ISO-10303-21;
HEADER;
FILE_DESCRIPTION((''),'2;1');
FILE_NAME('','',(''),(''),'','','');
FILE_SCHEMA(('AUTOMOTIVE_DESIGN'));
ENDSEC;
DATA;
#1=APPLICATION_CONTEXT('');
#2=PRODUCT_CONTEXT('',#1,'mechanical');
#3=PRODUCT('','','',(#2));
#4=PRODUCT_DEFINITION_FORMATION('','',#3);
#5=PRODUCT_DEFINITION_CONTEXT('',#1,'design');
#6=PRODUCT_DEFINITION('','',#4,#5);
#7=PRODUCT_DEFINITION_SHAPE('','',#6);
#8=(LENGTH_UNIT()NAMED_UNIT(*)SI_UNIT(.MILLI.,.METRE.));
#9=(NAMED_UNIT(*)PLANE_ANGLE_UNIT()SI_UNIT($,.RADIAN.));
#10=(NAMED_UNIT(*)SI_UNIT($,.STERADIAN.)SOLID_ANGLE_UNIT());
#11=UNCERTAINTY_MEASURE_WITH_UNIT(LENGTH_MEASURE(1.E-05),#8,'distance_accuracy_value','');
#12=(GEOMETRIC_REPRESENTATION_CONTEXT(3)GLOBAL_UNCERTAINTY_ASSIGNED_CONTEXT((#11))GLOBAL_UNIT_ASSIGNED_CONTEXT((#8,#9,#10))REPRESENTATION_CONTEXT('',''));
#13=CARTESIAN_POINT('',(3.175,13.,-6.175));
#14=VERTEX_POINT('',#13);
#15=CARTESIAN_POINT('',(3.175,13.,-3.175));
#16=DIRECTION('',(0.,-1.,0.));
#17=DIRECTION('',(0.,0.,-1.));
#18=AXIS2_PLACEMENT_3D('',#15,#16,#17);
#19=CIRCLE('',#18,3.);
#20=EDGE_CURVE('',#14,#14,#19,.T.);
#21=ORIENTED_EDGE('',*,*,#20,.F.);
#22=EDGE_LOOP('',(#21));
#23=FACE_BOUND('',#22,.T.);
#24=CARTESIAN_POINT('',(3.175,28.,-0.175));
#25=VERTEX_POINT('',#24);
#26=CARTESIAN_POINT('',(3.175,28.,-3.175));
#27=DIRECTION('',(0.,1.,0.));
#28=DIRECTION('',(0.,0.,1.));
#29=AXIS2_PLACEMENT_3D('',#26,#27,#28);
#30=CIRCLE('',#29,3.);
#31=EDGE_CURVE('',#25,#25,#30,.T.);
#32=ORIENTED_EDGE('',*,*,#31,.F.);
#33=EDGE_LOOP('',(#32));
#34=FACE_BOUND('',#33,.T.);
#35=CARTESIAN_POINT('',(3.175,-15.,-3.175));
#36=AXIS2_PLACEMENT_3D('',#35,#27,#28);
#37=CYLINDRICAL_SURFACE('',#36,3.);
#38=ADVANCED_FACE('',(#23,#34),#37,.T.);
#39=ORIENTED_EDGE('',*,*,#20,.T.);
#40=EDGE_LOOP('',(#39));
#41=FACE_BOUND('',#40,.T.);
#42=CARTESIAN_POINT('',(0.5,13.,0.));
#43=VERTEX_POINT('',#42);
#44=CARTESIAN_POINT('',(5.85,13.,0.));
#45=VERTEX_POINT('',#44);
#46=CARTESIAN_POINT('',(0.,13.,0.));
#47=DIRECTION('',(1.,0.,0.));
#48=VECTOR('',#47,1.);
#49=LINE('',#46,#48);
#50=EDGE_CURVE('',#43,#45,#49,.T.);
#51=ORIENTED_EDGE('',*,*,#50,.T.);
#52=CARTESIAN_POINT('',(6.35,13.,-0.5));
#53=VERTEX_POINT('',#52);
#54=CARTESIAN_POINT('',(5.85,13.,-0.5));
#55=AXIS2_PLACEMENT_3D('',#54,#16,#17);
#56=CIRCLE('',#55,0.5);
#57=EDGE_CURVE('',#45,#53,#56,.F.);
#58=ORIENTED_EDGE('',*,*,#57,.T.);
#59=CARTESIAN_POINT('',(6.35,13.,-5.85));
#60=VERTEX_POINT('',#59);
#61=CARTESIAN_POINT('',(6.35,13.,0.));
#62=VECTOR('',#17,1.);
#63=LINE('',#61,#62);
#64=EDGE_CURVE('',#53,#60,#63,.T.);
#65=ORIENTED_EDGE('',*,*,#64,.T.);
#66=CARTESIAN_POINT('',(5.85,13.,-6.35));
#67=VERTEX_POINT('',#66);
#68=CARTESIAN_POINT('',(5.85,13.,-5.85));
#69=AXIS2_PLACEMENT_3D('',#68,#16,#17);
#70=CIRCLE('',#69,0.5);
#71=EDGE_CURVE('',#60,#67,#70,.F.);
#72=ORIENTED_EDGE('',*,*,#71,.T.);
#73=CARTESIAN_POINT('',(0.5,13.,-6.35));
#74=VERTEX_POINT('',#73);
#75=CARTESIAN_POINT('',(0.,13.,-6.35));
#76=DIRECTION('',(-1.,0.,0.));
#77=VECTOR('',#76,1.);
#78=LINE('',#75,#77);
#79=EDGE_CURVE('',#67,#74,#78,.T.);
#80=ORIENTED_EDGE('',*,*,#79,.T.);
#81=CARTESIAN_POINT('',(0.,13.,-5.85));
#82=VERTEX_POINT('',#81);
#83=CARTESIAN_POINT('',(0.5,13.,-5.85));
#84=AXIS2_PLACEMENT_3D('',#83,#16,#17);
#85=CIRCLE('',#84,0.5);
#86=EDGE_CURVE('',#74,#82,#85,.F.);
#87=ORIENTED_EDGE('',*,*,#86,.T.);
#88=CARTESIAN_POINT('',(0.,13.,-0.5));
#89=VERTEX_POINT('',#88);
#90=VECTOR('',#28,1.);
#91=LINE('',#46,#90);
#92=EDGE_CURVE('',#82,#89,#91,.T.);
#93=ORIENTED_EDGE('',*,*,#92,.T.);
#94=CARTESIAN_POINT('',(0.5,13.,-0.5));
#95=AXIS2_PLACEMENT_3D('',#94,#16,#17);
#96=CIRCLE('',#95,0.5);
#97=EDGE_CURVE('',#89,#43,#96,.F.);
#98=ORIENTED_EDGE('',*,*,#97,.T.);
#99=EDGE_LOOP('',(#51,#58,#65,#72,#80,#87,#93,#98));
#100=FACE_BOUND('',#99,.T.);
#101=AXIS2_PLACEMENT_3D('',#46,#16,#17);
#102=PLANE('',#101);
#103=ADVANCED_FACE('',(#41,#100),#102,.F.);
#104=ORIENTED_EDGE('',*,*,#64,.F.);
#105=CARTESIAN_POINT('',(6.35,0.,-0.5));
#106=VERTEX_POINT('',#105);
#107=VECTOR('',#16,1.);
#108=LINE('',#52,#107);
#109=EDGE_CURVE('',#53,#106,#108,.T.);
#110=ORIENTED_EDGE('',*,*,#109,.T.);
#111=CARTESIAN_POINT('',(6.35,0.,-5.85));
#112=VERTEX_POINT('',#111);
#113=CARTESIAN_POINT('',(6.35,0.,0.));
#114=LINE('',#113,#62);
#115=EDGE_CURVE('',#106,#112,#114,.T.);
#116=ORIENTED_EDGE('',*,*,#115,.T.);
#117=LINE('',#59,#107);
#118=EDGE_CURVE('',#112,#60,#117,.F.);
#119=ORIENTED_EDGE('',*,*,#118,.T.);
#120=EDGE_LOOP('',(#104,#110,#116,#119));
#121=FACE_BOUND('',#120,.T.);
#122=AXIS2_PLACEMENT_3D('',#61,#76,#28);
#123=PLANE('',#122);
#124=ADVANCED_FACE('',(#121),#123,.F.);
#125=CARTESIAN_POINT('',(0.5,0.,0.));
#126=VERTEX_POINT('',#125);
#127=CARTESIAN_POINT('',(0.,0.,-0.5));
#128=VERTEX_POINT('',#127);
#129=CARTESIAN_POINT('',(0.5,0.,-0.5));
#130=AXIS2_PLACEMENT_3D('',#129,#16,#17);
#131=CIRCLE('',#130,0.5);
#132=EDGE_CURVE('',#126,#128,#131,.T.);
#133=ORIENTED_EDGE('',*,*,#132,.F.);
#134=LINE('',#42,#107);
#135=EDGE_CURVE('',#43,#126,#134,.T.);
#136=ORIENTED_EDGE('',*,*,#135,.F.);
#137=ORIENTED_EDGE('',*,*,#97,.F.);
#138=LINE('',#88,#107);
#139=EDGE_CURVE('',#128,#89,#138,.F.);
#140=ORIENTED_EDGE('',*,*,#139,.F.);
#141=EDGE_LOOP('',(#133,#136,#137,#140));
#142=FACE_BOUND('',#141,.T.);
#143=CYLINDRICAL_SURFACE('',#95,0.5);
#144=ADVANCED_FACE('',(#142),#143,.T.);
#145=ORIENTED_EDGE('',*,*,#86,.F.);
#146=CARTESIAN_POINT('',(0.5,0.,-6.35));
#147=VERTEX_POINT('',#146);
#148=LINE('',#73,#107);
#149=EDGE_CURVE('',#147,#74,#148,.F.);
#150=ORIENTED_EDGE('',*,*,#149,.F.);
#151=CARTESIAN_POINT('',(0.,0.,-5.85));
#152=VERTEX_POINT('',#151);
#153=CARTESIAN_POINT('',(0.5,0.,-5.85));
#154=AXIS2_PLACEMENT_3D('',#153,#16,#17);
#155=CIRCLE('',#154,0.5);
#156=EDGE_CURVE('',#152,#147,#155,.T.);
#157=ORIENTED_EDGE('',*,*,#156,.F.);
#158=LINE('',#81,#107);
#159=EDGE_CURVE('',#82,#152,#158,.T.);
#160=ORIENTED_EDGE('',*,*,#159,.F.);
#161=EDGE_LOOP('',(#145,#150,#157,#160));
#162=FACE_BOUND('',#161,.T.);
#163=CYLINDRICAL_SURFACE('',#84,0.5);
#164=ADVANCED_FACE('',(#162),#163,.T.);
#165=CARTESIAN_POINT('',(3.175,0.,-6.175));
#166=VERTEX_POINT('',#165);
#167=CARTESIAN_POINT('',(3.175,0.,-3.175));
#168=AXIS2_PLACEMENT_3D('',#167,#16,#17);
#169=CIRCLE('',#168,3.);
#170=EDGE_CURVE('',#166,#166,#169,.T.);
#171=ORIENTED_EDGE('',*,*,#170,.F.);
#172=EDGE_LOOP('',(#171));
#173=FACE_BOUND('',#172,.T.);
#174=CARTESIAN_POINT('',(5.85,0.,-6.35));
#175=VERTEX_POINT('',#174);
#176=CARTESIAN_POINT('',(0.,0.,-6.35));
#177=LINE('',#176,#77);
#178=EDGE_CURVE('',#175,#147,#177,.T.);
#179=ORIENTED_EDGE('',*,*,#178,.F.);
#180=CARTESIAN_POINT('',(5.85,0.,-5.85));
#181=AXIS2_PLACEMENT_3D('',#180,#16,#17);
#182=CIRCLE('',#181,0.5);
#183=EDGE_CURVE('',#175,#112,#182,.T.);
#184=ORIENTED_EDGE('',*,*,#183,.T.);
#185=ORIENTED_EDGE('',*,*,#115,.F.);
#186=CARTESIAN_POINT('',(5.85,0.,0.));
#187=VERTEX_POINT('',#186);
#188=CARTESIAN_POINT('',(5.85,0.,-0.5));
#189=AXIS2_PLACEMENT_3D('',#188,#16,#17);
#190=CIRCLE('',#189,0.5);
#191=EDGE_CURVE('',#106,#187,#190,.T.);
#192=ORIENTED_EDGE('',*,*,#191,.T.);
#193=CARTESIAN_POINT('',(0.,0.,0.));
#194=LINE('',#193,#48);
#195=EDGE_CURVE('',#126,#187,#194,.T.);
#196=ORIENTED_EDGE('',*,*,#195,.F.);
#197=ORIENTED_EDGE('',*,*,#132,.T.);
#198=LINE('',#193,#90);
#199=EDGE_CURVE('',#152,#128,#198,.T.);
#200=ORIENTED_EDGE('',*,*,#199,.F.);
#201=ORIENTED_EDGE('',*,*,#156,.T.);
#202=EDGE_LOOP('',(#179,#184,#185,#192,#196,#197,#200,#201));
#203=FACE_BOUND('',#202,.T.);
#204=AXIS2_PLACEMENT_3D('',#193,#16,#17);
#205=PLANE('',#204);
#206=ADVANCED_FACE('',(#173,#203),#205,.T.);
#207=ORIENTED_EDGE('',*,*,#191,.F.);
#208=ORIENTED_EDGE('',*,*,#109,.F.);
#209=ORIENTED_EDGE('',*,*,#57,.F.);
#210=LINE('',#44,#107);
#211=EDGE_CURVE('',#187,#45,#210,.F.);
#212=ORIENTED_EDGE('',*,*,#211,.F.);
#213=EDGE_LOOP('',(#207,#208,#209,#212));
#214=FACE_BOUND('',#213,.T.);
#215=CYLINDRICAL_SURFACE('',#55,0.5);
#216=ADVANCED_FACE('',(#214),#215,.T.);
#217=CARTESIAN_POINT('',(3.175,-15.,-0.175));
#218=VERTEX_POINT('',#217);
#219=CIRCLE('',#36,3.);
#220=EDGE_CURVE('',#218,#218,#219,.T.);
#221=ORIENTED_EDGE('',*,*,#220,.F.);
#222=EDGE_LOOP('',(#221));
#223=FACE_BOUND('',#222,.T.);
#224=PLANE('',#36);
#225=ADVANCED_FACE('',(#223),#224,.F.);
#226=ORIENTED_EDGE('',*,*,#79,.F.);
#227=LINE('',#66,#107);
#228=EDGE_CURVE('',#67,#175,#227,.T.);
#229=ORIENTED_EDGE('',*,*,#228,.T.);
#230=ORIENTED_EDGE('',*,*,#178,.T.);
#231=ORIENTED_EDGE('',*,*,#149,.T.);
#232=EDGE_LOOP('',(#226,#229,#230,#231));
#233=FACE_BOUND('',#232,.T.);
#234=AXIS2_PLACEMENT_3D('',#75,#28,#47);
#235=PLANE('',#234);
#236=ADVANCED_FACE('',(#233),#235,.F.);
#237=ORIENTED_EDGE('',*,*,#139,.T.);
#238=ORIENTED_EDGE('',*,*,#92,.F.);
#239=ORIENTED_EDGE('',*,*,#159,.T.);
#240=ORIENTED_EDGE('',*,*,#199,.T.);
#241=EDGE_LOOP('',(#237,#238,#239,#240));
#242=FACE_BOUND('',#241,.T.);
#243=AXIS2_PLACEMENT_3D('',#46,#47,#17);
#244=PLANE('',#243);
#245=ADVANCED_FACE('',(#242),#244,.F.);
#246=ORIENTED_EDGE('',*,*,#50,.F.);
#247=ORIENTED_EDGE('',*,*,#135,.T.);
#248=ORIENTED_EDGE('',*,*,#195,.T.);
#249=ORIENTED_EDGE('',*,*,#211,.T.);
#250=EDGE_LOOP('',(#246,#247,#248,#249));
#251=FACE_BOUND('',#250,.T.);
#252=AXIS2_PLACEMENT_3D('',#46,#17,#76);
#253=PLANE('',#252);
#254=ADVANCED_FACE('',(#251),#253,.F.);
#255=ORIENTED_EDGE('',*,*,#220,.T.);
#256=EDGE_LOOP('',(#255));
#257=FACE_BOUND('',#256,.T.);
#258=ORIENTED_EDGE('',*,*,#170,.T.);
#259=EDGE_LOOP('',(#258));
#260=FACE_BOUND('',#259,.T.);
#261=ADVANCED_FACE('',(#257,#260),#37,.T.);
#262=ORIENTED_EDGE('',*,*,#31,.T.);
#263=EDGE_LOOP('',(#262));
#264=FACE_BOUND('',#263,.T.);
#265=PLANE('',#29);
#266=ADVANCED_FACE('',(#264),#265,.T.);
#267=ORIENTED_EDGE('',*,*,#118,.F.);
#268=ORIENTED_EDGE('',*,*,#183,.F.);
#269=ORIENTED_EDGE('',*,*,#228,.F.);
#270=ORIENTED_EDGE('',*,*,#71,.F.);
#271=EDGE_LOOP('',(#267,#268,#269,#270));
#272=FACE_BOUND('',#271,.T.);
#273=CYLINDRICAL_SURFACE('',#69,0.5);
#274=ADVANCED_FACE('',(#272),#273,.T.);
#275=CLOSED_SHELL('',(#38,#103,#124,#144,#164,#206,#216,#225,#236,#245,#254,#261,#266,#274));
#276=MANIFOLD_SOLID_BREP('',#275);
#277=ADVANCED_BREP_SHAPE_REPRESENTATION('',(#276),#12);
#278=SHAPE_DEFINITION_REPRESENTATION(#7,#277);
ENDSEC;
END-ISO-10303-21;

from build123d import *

# Parameters (mm, degrees)
ESQUISSE1_W             = 6.35
ESQUISSE1_H             = 6.35
BOSS_EXTRU_1_DEPTH      = 13
BOSS_EXTRU_2_DEPTH      = 15
BOSS_EXTRU_2_DEPTH_BACK = 28
ESQUISSE2_R             = 3
CONG_1_R                = 0.5


with BuildPart() as part:
    # Esquisse1 → Boss.-Extru.1 (new body)
    with BuildSketch(Plane(origin=(0, 0, 0), x_dir=(1, 0, 0), z_dir=(0, 1, 0))):
        with Locations((3.175, 3.175)):
            Rectangle(ESQUISSE1_W, ESQUISSE1_H)
    extrude(amount=BOSS_EXTRU_1_DEPTH)

    # Esquisse2 → Boss.-Extru.2 (add, two sides: drawn at the far end of the back side and taken through both)
    with BuildSketch(Plane(origin=(0, 13, 0), x_dir=(1, 0, 0), z_dir=(0, 1, 0)).offset(-BOSS_EXTRU_2_DEPTH_BACK)):
        with Locations(Location((3.175, 3.175, 0), (0, 0, 270))):
            Circle(ESQUISSE2_R)
    extrude(amount=BOSS_EXTRU_2_DEPTH + BOSS_EXTRU_2_DEPTH_BACK)

    # Congé1
    cong_1_edges = [part.edges().sort_by_distance(p)[0] for p in [
        (0, 6.5, -6.35),
        (6.35, 6.5, -6.35),
        (6.35, 6.5, 0),
        (0, 6.5, 0),
    ]]
    fillet(cong_1_edges, radius=CONG_1_R)


solid = part.part
